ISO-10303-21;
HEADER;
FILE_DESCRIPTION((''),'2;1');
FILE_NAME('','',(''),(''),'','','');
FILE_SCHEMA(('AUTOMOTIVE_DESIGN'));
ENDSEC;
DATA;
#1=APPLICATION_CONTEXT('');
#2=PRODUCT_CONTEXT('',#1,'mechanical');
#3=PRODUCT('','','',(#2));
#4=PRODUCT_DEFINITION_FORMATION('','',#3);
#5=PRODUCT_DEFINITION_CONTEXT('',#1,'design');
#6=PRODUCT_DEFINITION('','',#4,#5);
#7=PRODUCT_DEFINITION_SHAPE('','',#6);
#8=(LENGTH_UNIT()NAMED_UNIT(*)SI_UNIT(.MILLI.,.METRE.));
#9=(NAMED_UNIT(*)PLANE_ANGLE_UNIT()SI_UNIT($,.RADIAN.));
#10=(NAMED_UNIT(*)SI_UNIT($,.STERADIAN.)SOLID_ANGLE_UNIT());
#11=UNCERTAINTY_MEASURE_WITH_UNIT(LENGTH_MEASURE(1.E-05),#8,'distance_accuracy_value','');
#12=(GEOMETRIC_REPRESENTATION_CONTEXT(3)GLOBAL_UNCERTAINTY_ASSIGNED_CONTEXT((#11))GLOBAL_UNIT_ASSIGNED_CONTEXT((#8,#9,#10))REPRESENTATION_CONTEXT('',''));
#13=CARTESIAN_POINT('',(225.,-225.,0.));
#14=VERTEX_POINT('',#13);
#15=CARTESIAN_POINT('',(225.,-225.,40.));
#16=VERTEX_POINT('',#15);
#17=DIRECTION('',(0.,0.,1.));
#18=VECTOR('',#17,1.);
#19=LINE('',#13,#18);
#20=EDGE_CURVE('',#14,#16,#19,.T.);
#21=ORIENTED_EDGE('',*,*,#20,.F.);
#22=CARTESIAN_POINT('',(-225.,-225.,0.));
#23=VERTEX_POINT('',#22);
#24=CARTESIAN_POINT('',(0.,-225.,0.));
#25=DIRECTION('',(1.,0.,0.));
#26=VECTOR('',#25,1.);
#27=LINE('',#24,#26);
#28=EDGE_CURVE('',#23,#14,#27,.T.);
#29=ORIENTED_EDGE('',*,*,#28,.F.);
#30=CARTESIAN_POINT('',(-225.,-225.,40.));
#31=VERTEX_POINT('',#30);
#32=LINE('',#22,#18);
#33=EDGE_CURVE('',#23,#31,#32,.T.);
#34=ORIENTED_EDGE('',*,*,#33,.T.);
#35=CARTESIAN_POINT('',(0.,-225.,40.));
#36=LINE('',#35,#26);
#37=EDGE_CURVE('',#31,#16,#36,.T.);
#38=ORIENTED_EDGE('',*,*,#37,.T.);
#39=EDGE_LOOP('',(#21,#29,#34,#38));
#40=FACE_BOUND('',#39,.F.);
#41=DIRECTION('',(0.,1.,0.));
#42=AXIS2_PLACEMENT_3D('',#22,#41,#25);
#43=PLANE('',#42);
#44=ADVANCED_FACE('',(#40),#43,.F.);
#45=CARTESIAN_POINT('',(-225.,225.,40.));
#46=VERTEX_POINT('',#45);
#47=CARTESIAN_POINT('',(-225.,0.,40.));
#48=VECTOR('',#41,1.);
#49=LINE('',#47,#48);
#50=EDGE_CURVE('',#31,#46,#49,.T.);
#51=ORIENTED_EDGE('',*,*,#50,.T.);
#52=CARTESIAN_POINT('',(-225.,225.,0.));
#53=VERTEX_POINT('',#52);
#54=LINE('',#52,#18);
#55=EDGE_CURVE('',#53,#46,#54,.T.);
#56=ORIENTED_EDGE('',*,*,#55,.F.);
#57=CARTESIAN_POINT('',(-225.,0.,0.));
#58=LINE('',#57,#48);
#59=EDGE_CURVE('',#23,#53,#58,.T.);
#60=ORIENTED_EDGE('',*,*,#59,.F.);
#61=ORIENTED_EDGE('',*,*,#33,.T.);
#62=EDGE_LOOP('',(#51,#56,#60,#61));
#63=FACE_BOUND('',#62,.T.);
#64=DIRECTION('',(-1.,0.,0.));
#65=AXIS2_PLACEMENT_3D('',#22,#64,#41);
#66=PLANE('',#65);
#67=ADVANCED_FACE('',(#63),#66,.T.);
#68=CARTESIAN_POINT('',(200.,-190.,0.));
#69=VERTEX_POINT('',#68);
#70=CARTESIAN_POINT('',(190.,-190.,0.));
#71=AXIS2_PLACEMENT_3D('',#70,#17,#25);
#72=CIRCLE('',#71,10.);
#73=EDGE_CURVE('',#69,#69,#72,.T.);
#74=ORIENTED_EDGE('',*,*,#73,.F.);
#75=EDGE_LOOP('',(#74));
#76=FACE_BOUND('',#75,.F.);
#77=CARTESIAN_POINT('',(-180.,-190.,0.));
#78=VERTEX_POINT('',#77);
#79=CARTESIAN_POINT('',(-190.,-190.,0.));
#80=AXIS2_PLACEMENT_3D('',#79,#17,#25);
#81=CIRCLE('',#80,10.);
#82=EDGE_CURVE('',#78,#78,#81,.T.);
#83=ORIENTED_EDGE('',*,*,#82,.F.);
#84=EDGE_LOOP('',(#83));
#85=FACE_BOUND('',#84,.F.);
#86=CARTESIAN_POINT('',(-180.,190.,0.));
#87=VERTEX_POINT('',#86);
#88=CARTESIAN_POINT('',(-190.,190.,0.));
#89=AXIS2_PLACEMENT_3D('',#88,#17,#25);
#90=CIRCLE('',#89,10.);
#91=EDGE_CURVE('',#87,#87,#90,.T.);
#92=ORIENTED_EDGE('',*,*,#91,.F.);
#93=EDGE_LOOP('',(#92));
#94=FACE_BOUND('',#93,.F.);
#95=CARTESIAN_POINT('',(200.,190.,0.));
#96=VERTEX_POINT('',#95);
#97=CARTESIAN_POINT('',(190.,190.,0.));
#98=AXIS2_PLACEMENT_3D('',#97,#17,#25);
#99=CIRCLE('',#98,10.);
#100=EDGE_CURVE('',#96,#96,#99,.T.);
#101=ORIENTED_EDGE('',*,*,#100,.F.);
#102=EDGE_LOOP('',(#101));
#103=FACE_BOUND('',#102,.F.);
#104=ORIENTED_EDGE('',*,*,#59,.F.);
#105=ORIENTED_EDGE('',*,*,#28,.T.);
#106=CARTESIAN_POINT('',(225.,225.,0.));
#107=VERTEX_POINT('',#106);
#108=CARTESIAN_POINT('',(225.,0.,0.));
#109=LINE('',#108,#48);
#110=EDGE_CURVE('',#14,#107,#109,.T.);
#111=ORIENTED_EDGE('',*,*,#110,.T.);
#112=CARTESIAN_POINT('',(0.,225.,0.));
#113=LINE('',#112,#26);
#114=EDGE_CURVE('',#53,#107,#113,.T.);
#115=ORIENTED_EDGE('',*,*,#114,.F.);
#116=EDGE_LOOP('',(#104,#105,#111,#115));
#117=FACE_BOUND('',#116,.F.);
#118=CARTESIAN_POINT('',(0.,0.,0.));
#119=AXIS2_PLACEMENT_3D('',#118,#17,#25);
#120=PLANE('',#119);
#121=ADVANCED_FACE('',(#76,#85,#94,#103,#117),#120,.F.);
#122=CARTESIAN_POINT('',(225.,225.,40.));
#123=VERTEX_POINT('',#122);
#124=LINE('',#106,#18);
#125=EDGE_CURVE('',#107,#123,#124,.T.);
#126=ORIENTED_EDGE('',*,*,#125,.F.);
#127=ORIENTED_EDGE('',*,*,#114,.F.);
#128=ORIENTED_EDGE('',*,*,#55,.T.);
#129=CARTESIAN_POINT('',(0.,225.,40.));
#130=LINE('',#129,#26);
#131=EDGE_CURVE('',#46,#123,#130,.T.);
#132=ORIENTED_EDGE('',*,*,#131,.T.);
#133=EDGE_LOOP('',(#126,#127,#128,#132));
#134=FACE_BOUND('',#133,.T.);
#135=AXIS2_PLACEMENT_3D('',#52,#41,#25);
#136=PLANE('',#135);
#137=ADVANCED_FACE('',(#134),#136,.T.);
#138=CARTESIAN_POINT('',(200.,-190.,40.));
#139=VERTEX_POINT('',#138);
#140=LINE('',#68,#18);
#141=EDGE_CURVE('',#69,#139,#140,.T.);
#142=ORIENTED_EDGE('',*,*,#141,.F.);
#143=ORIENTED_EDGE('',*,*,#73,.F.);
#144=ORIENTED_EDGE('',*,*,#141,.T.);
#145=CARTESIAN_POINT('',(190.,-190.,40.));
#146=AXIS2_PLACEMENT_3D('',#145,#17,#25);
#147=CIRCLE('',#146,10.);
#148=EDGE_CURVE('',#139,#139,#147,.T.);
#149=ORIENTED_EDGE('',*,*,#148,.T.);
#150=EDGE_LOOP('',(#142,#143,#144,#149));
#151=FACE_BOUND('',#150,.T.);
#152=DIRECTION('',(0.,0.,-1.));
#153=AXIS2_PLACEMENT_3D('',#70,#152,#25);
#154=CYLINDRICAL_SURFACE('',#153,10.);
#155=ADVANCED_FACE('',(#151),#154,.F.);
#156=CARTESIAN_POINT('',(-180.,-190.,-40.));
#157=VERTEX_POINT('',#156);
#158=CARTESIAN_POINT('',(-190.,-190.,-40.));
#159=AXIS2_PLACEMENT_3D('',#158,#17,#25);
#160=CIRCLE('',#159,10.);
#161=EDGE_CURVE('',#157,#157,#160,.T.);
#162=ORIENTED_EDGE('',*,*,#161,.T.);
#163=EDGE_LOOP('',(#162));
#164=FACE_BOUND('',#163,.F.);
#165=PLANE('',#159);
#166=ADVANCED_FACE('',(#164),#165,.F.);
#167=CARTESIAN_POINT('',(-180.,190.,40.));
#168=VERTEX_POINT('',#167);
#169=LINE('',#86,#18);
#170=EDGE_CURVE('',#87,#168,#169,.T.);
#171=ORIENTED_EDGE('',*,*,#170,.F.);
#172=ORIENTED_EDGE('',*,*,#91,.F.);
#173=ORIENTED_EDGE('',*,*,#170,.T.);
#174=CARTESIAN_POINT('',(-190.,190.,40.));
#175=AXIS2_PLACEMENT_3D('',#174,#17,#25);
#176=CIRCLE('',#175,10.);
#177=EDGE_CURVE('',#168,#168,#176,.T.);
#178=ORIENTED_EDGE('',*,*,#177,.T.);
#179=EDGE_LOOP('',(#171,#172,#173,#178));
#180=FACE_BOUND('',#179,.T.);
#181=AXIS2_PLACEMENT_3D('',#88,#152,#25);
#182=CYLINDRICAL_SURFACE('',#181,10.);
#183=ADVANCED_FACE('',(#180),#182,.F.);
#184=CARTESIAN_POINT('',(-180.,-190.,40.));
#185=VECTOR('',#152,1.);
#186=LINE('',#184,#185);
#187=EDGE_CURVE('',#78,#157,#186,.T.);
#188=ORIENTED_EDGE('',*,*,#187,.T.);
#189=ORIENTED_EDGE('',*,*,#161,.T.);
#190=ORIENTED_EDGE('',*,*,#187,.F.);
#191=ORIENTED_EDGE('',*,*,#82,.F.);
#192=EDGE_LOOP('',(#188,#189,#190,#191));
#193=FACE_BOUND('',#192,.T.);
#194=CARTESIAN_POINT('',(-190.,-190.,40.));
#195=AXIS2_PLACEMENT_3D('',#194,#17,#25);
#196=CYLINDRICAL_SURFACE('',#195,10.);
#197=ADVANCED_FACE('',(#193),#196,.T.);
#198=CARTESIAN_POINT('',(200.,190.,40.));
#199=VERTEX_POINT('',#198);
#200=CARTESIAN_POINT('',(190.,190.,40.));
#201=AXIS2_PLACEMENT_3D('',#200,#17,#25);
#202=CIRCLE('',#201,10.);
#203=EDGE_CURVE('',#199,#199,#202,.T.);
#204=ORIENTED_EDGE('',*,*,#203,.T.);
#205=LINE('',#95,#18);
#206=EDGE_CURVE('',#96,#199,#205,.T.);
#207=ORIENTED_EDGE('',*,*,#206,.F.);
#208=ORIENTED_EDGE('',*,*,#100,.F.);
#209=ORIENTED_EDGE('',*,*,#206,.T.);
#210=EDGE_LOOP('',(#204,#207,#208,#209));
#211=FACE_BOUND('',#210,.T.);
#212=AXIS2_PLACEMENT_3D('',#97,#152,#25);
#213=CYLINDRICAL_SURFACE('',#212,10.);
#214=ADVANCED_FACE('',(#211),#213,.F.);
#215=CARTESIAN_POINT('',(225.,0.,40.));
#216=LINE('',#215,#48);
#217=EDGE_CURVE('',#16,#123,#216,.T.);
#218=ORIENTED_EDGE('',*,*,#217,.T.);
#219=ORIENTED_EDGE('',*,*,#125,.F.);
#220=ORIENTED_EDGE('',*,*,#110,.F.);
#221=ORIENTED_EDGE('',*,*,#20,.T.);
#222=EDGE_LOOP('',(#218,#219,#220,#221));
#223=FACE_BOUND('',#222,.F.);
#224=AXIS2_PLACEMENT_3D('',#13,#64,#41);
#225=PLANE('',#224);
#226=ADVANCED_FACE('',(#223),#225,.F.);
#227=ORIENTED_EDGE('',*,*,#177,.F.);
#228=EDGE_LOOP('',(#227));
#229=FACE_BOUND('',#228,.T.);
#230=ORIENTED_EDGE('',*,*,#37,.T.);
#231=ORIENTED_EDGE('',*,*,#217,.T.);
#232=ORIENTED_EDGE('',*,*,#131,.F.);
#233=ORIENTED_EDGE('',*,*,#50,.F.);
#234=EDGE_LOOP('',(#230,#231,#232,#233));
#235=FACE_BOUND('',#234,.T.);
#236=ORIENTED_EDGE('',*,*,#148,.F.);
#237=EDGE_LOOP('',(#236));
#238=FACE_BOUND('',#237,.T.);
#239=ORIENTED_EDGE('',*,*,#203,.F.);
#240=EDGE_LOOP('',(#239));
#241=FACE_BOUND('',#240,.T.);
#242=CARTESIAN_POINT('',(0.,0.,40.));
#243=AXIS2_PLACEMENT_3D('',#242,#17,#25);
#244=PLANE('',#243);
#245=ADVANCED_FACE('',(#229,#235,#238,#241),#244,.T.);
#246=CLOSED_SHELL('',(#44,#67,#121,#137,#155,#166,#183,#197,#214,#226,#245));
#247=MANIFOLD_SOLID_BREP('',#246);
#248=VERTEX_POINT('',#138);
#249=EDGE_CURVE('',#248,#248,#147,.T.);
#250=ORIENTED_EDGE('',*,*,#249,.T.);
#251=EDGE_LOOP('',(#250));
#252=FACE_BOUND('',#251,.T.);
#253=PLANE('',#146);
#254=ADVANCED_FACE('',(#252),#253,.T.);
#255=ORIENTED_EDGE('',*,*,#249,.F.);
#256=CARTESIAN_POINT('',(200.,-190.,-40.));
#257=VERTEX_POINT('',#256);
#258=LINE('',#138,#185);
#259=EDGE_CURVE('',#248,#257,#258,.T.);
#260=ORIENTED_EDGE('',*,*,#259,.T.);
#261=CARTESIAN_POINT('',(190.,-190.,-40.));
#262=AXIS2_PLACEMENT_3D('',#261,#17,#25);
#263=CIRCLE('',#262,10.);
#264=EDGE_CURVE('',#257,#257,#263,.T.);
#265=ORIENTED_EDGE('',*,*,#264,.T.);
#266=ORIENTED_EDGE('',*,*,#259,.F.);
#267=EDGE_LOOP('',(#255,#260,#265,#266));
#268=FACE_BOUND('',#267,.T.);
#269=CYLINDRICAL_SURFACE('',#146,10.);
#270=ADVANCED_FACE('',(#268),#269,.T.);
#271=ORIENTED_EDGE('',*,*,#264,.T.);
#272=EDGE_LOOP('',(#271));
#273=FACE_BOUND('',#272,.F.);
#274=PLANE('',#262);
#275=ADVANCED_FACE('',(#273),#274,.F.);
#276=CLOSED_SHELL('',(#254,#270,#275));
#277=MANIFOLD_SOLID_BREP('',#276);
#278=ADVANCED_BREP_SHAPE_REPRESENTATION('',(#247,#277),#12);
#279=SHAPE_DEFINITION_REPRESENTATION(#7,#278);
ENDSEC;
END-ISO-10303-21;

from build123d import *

# Parameters (mm, degrees)
F1_W     = 450
F1_H     = 450
F1_R     = 10
F2_DEPTH = 40
F3_R     = 10
F4_DEPTH = 80
F5_DEPTH = 80


with BuildPart() as f2:
    # F1 (on face) → F2 (new body)
    with BuildSketch(Plane.XY):
        Rectangle(F1_W, F1_H)
        with Locations((-190, -190)):
            Circle(F1_R, mode=Mode.SUBTRACT)
        with Locations((190, -190)):
            Circle(F1_R, mode=Mode.SUBTRACT)
        with Locations((-190, 190)):
            Circle(F1_R, mode=Mode.SUBTRACT)
        with Locations((190, 190)):
            Circle(F1_R, mode=Mode.SUBTRACT)
    extrude(amount=F2_DEPTH)

    # F3 (on face) → F4 (join)
    with BuildSketch(Plane.XY.offset(40)):
        with Locations((-190, -190)):
            Circle(F3_R)
    extrude(amount=-F4_DEPTH)


with BuildPart() as f5:
    # F3 (on face) → F5 (new body)
    with BuildSketch(Plane.XY.offset(40)):
        with Locations((190, -190)):
            Circle(F3_R)
    extrude(amount=-F5_DEPTH)


solid = Compound([f2.part, f5.part])
